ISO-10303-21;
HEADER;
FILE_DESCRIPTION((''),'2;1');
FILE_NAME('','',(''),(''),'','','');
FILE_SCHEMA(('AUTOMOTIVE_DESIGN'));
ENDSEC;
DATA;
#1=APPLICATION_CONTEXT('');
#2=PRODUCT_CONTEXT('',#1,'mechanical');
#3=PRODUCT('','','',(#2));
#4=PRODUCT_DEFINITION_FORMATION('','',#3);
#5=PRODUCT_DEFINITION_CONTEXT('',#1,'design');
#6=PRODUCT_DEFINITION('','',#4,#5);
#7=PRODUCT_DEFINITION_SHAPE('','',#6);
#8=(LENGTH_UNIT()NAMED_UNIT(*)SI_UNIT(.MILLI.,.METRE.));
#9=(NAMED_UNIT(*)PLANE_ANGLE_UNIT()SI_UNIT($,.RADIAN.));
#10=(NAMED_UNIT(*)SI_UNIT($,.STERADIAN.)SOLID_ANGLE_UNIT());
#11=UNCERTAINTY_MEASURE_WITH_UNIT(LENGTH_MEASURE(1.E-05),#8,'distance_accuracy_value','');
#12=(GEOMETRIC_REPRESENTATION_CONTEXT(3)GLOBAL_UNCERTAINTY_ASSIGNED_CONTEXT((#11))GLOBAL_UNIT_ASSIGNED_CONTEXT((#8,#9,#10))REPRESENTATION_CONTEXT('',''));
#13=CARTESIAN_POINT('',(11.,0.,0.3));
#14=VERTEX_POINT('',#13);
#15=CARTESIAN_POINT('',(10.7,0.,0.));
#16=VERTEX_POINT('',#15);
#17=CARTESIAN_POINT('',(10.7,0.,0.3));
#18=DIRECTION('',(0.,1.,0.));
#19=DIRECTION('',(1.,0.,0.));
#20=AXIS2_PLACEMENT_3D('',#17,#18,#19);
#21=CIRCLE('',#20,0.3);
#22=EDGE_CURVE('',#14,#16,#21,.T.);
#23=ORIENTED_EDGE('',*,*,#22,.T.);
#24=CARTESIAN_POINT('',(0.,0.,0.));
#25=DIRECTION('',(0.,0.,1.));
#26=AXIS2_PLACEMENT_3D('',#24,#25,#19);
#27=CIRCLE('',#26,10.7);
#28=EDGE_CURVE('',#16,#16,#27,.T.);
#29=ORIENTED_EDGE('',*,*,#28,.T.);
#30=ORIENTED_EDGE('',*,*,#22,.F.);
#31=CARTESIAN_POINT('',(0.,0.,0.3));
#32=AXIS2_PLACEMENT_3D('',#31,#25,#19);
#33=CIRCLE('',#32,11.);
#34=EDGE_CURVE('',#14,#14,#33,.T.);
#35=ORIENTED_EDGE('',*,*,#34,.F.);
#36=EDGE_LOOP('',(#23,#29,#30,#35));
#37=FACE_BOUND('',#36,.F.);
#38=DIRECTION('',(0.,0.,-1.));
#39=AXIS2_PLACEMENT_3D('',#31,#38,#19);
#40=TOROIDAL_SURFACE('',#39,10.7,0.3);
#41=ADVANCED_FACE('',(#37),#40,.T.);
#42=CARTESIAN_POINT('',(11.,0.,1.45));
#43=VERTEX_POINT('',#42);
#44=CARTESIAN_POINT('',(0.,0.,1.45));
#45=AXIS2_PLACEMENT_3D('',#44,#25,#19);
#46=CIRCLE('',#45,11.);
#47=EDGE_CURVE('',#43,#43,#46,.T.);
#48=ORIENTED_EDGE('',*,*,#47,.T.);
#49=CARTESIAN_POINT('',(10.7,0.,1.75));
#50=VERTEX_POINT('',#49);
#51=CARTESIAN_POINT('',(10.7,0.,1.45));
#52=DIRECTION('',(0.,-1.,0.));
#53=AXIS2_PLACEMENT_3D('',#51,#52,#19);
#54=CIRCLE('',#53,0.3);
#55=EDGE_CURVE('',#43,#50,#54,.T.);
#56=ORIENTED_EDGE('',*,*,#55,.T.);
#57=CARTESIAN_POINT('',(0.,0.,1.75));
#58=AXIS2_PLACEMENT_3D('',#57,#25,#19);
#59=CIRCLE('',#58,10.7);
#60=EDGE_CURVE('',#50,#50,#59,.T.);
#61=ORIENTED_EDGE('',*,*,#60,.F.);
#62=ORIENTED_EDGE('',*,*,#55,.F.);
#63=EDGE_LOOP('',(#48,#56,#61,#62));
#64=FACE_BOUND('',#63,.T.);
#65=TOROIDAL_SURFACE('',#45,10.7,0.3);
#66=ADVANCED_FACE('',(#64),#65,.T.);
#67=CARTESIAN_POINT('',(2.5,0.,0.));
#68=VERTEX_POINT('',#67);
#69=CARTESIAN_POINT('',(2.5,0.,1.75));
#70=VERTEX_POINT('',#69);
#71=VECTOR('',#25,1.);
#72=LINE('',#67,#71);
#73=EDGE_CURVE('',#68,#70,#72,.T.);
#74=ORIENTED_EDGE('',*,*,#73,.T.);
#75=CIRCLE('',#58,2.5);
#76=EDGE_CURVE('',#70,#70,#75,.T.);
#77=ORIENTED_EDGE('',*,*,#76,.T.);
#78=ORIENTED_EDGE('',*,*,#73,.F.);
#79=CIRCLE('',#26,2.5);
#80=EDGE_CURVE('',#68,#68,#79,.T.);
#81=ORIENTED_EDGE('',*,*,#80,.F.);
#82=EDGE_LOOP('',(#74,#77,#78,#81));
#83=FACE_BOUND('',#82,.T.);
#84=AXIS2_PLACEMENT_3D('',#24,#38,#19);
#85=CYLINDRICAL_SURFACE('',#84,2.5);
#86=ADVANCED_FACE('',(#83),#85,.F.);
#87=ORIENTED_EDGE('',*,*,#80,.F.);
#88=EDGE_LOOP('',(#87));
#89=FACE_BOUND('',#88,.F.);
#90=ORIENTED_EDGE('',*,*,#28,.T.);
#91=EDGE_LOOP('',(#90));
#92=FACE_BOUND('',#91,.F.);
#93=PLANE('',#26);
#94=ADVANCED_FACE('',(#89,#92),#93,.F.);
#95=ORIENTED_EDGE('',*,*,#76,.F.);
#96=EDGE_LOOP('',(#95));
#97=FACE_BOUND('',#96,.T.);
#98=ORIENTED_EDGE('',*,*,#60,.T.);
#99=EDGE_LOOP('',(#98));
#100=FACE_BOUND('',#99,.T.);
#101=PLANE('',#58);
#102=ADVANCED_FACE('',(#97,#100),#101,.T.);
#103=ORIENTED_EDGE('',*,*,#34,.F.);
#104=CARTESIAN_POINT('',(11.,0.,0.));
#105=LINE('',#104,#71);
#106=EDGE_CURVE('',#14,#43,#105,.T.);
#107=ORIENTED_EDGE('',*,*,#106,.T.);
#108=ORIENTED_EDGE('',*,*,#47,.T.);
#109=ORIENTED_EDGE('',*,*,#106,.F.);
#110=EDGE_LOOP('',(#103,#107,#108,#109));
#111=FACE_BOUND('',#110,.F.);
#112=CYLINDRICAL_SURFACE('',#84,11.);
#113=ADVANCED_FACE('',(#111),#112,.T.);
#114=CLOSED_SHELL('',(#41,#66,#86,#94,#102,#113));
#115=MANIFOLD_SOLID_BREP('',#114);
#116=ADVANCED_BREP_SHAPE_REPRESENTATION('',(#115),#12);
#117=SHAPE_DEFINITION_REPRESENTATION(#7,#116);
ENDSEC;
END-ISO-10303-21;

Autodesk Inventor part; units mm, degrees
ref_plane "YZ Plane" through (0, 0, 0) normal (1, 0, 0) x (0, 1, 0)
ref_plane "XZ Plane" through (0, 0, 0) normal (0, 1, 0) x (-1, 0, 0)
ref_plane "XY Plane" through (0, 0, 0) normal (0, 0, 1) x (1, 0, 0)
sketch "Szkic1" plane through (0, 0, 0) normal (0, 0, 1) x (1, 0, 0)
  circle A0 centre (0, 0) radius 11
  circle A1 centre (0, 0) radius 2.5
  dimension "d0" = 22
  dimension "d1" = 5
extrude "Wyciągnięcie proste1" add sketch "Szkic1" along normal blind 1.75
fillet "Zaokrąglenie1" radius 0.3 2 edges at (-11, 0, 1.75) (-11, 0, 0)
properties part number "COTS_GENERIC_22x5_Washer"
